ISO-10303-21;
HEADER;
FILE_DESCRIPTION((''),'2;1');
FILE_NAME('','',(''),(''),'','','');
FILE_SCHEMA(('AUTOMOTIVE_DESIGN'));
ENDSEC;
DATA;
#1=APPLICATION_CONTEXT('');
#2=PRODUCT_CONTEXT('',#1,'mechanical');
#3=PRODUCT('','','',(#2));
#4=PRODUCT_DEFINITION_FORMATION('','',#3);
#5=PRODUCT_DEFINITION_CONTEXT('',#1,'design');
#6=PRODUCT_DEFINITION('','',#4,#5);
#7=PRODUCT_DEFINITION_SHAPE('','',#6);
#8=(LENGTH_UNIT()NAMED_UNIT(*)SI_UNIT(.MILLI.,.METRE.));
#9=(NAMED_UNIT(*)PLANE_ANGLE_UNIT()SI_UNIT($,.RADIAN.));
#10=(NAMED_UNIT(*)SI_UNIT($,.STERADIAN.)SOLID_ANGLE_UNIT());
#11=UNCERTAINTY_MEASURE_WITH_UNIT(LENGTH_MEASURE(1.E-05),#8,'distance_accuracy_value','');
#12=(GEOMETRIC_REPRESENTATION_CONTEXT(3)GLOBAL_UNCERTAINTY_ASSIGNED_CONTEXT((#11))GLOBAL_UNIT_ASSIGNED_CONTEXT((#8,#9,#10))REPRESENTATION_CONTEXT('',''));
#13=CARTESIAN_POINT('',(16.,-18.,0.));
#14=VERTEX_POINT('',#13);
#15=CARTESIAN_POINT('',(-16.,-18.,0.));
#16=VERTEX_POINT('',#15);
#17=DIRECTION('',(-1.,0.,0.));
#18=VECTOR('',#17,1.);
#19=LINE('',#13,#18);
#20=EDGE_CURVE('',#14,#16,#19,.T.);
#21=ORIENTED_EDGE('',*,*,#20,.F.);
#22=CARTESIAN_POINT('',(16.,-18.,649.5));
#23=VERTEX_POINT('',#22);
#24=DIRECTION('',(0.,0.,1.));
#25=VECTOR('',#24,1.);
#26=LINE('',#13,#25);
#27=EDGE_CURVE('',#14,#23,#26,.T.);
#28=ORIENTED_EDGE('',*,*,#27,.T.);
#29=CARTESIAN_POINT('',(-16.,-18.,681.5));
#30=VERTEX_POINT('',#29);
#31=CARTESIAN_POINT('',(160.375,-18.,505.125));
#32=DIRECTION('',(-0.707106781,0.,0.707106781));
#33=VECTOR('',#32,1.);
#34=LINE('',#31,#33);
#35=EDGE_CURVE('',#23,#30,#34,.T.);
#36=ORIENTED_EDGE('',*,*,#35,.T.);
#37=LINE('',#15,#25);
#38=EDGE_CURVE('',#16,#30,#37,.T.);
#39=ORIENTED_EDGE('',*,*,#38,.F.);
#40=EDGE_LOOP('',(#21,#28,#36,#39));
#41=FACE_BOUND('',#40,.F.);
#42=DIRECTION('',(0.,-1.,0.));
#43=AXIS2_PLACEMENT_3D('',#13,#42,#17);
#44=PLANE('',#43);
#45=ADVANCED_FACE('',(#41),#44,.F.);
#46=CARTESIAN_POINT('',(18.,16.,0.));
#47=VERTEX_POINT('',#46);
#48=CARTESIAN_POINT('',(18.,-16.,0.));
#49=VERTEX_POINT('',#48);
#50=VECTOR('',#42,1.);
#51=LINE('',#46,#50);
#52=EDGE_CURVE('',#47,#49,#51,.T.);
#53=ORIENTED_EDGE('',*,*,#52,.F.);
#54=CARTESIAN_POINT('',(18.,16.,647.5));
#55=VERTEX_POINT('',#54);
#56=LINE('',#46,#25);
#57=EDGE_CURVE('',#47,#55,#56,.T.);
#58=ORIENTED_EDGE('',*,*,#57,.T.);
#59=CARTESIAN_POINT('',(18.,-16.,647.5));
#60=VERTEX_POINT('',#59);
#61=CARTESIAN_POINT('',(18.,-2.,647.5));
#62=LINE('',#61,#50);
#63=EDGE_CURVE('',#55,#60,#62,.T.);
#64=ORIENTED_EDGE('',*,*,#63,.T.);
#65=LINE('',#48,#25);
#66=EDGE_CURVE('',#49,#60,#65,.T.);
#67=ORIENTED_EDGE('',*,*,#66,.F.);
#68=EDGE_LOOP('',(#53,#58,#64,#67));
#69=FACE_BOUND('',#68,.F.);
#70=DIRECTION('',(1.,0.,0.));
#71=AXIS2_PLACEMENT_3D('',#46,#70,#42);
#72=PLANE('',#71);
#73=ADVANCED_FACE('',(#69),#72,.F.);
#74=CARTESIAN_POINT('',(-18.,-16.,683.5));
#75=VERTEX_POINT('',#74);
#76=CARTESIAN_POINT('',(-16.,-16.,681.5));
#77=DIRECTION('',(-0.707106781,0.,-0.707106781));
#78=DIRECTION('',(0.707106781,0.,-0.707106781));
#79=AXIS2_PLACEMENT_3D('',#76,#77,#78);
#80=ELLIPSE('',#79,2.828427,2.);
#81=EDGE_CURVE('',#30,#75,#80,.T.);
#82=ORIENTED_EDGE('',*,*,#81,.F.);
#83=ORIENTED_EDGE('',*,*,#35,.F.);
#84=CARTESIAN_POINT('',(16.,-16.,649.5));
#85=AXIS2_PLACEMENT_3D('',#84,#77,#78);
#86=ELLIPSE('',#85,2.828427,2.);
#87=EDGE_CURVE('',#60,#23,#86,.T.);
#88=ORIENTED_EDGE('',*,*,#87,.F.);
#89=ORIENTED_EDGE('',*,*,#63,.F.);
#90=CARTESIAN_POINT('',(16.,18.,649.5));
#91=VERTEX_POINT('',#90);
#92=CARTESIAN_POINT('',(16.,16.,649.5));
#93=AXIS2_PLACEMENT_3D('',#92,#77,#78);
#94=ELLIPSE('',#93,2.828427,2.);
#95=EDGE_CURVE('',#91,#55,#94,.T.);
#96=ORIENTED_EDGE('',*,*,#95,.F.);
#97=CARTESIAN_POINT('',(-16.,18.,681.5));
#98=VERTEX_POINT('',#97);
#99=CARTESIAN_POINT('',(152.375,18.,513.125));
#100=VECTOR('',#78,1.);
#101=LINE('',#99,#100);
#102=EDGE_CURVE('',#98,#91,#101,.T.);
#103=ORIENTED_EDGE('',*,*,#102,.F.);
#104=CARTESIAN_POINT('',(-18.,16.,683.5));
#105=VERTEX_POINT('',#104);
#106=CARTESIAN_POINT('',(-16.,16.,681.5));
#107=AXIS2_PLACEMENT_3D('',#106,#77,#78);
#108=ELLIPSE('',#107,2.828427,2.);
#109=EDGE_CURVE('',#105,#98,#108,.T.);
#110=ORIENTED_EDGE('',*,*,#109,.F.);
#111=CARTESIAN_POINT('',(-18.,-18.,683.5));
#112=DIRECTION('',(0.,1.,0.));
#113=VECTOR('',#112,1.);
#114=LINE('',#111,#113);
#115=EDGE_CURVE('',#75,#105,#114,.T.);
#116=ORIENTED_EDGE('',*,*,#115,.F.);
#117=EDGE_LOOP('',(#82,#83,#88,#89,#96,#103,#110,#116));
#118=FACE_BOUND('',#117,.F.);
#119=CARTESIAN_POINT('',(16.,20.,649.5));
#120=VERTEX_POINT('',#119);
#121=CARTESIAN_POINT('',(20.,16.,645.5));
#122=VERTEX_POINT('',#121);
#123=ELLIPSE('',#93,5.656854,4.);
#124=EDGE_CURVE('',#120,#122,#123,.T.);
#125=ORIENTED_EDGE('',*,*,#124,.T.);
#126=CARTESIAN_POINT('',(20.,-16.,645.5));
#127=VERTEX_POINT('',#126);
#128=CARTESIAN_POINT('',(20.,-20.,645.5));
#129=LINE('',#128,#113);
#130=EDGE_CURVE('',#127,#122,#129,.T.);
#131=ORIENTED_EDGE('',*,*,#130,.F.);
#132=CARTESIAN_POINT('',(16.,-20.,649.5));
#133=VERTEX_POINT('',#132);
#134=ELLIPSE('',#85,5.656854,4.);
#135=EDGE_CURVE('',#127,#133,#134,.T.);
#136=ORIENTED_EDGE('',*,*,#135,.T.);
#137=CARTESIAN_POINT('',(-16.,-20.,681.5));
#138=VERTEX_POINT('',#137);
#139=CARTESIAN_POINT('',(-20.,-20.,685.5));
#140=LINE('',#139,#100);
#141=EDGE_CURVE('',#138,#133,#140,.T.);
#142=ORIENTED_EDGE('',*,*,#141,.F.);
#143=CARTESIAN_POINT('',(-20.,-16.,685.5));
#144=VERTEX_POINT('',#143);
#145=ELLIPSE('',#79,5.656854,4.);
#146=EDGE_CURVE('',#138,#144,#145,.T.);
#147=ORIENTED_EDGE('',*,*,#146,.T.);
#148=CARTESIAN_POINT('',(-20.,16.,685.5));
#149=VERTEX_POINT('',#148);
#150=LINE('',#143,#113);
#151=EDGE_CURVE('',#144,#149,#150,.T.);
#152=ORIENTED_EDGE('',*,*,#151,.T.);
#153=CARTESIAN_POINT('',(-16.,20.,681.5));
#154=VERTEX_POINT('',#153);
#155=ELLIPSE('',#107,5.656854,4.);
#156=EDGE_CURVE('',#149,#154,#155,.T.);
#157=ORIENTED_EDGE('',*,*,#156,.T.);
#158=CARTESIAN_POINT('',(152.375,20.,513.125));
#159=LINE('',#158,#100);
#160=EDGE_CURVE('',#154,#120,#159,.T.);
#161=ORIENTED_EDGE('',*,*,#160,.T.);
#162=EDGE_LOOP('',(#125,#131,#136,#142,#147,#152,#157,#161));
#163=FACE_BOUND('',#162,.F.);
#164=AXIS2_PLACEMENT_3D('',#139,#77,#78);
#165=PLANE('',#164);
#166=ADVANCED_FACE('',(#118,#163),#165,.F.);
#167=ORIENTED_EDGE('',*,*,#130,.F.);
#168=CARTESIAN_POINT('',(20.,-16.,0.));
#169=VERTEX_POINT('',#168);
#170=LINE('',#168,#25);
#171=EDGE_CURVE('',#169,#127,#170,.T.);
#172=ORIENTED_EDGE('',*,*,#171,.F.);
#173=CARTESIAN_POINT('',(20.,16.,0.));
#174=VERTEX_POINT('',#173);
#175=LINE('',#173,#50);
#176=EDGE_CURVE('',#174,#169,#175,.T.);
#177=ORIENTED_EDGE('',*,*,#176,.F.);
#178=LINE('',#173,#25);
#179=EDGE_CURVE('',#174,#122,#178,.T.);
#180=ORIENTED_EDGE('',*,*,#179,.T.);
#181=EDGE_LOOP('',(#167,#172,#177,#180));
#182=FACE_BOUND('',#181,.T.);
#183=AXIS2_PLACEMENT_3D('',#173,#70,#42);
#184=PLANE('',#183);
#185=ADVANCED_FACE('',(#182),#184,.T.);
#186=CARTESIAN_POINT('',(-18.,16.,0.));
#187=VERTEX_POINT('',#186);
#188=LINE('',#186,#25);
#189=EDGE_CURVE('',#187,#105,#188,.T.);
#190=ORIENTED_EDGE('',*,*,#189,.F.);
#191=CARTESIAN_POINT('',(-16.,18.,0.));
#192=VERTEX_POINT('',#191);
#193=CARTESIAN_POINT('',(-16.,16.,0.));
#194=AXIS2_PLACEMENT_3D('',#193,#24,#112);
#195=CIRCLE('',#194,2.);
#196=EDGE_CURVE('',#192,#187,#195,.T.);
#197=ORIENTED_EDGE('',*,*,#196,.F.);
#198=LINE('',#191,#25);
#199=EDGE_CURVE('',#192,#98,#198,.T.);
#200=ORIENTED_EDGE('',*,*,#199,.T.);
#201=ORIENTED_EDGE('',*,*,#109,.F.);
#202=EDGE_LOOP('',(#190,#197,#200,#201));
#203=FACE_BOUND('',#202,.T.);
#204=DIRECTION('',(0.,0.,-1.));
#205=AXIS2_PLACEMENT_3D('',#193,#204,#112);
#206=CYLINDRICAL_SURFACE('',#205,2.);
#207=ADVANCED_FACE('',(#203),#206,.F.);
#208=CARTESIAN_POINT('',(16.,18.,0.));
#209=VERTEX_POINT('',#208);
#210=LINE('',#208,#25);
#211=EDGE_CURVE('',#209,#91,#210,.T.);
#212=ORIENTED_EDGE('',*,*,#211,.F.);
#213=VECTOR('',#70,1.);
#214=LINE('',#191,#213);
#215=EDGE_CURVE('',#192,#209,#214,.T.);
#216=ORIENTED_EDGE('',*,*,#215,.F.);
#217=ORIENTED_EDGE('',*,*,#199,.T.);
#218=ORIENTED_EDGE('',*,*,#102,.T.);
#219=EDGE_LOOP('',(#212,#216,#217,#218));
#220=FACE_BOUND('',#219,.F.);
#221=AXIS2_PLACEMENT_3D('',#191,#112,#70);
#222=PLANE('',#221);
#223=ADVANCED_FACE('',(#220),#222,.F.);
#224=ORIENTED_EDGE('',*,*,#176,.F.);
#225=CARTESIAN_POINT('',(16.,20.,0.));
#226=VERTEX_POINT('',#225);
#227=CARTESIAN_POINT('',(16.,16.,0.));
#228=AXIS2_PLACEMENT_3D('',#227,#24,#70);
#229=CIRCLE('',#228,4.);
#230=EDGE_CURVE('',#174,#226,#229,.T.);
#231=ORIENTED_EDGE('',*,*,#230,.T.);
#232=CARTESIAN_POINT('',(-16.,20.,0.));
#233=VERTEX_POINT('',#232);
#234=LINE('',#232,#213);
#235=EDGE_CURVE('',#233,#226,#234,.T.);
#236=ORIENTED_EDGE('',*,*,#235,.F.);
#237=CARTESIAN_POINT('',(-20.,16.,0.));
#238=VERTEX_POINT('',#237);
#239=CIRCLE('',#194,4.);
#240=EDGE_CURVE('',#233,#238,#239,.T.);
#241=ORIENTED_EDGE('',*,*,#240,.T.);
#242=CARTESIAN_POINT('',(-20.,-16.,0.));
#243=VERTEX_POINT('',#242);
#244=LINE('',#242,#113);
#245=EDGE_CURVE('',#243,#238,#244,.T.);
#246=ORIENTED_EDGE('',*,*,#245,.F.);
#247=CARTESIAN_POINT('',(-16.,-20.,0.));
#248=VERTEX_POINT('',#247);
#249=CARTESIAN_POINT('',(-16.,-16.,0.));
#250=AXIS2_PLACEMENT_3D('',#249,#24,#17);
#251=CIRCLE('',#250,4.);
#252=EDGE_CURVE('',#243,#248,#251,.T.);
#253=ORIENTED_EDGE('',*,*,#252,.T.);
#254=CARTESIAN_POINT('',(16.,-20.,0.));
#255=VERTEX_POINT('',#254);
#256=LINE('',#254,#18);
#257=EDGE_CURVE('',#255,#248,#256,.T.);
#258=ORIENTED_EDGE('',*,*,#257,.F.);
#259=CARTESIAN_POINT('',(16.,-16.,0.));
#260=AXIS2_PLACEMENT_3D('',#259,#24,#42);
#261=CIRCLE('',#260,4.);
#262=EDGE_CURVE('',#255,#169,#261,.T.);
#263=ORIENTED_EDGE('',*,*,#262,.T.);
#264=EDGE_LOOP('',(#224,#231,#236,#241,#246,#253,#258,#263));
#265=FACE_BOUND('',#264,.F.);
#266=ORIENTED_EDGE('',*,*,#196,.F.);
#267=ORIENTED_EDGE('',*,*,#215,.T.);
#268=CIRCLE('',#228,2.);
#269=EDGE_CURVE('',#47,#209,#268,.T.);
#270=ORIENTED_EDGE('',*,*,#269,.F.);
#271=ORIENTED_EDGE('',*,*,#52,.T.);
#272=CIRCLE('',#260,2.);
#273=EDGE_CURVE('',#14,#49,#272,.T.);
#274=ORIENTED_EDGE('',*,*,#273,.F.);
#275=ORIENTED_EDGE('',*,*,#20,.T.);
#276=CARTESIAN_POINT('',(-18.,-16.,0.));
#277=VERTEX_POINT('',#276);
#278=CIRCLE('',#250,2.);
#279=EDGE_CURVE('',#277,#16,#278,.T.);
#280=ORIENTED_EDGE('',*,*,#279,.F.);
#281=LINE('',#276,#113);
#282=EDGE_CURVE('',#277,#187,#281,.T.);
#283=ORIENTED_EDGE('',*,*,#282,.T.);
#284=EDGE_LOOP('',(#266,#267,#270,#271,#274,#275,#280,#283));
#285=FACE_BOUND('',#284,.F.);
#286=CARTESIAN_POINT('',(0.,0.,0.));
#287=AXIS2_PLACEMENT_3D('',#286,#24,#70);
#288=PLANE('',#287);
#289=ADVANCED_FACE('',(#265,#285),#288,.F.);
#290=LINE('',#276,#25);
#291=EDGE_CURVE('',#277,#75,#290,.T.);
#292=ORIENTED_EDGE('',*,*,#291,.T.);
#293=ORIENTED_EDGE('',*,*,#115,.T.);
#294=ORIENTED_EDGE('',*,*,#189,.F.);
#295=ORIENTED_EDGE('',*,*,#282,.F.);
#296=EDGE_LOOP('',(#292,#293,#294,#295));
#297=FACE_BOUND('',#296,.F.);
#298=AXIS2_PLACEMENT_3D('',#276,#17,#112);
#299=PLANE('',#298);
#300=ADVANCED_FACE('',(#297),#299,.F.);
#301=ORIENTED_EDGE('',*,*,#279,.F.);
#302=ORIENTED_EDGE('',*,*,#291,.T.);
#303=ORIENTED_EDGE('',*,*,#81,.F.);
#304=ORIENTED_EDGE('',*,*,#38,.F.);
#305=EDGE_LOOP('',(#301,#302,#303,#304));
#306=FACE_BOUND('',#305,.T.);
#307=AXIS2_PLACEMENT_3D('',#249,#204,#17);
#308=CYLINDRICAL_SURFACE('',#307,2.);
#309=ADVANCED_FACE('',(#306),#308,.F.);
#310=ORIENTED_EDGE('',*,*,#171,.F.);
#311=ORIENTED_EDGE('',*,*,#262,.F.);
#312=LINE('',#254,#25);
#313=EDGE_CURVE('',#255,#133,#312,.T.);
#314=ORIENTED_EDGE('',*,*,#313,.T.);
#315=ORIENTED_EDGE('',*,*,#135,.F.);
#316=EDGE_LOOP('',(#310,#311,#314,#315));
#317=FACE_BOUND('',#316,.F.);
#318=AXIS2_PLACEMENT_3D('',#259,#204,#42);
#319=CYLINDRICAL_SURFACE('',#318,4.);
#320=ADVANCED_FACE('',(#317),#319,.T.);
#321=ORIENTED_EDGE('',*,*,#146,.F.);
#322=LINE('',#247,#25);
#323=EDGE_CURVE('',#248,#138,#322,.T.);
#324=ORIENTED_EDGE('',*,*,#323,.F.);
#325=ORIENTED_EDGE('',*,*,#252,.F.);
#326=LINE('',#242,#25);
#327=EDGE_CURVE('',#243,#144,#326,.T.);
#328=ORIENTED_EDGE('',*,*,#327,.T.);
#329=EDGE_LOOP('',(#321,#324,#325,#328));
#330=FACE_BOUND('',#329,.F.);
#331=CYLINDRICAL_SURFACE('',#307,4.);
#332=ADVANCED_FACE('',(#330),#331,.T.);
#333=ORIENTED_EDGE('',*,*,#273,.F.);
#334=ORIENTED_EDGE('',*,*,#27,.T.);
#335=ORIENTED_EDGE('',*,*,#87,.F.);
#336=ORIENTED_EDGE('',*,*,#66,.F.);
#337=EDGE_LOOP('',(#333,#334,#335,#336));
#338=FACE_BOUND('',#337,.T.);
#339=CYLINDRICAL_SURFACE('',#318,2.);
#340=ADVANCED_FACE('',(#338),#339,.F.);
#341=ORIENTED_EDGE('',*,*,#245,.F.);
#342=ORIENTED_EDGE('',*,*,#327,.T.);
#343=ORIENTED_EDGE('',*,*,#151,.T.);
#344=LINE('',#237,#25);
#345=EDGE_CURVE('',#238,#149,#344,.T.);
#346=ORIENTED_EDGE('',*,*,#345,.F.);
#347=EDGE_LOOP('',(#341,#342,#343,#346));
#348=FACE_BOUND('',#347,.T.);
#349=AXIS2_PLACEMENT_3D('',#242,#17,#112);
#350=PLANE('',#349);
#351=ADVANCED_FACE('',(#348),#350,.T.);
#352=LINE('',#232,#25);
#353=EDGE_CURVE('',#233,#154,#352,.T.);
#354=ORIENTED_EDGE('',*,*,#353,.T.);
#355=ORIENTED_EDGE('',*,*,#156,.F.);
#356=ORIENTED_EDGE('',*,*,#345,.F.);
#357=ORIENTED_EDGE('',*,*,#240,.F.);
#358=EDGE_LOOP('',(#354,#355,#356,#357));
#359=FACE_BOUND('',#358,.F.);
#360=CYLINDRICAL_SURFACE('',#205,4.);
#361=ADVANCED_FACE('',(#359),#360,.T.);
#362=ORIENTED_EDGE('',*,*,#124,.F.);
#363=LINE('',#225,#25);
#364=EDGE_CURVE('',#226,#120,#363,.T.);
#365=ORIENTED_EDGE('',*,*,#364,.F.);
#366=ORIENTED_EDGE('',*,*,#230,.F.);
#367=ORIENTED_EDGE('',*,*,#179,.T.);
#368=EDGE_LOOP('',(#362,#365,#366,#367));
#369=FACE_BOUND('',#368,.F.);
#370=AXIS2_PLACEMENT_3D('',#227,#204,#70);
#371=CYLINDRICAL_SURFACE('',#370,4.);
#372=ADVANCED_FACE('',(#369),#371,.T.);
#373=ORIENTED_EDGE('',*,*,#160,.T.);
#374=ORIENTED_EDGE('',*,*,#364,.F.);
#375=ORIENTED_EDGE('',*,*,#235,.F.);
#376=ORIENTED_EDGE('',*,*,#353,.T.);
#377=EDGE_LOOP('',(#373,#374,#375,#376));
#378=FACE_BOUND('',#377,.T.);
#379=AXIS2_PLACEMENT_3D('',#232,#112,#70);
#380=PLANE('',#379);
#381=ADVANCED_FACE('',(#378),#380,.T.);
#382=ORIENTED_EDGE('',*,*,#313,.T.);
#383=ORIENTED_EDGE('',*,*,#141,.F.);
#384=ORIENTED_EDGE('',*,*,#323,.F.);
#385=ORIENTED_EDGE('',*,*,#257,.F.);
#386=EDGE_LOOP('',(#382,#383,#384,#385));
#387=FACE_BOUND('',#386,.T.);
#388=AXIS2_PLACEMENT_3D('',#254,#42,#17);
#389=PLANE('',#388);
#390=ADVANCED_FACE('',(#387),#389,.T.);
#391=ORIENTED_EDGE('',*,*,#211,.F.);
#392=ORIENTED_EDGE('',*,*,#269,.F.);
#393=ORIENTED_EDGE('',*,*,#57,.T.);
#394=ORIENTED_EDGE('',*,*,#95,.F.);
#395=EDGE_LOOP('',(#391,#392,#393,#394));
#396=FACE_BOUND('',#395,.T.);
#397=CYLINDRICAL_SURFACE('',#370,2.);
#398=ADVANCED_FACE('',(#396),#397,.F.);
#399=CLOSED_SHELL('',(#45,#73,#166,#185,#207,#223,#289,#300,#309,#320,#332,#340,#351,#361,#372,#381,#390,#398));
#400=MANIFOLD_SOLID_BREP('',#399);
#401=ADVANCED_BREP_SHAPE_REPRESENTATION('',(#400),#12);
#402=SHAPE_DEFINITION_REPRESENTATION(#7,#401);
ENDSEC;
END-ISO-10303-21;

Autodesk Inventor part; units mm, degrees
ref_plane "YZ Plane" through (0, 0, 0) normal (1, 0, 0) x (0, 1, 0)
ref_plane "Piano iniziale" through (0, 0, 0) normal (0, 0, 1) x (1, 0, 0)
ref_plane "Piano finale" through (0, 0, 685.5) normal (0, 0, 1) x (1, 0, 0)
sketch "Schizzo" plane through (0, 0, 0) normal (0, 0, 1) x (1, 0, 0)
  line L0 (-20, -16) -> (-20, 16)
  line L1 (-16, 20) -> (16, 20)
  line L2 (20, 16) -> (20, -16)
  line L3 (16, -20) -> (-16, -20)
  arc A0 (-20, -16) -> (-16, -20) centre (-16, -16) ccw
  arc A1 (20, 16) -> (16, 20) centre (16, 16) ccw
  arc A2 (-16, 20) -> (-20, 16) centre (-16, 16) ccw
  arc A3 (16, -20) -> (20, -16) centre (16, -16) ccw
  arc A4 (-16, 18) -> (-18, 16) centre (-16, 16) ccw
  line L4 (-16, 18) -> (16, 18)
  arc A5 (18, 16) -> (16, 18) centre (16, 16) ccw
  line L5 (18, 16) -> (18, -16)
  arc A6 (16, -18) -> (18, -16) centre (16, -16) ccw
  line L6 (16, -18) -> (-16, -18)
  arc A7 (-18, -16) -> (-16, -18) centre (-16, -16) ccw
  line L7 (-18, -16) -> (-18, 16)
  line L8 (0, 29.1598) -> (0, -29.1598) construction
  line L9 (-29.1598, 0) -> (29.1598, 0) construction
  dimension "d7" = 4
  dimension "d9" = 40
  dimension "d11" = 40
  dimension "d12" = 2
  dimension "d15" = 20
  dimension "d16" = 20
extrude "Corpo" add sketch "Schizzo" along normal up to surface (685.5 mm away) from surface at 0
sketch "Sketch3" plane through (0, 0, 0) normal (0, 0, 1) x (1, 0, 0)
  line L0 (0, 0) -> (10, 0)
ref_plane "Work Plane3" through (0, 0, 0) normal (0, -1, 0) x (1, 0, 0)
sketch "Sketch4" plane through (0, 0, 0) normal (0, -1, 0) x (1, 0, 0)
  line L0 (-2, 0) -> (12, 0)
  line L1 (-2, 685.5) -> (12, 685.5)
  dimension "d18" = 685.5
sketch "Schizzo5" plane through (-16, -20, 0) normal (0, -1, 0) x (1, 0, 0)
  line L0 (-4, 0) -> (-4, 685.5) projected
  line L1 (-4, 685.5) -> (0, 685.5) projected
  line L2 (-4, 685.5) -> (40.4052, 641.0948)
  line L3 (-4, 685.5) -> (58.7984, 685.5) construction
  line L4 (40.4052, 641.0948) -> (40.4052, 697.863)
  line L5 (36, 0) -> (36, 685.5) projected
  line L6 (40.4052, 697.863) -> (-4, 685.5)
  point P0 (16, 0)
  dimension "d19" = 45
extrude "Estrusione2" cut sketch "Schizzo5" against normal up to next
equation "\"d7\" = G_IR"
equation "\"d9\" = G_W"
equation "\"d11\" = G_H"
equation "\"d12\" = G_T"
equation "\"d15\" = 0.5 * d9"
equation "\"d16\" = 0.5 * d11"
equation "\"d3\" = G_L"
equation "\"G_W\" = 40"
equation "\"G_H\" = 40"
equation "\"G_T\" = 2"
equation "\"G_IR\" = 4"
equation "\"G_L\" = d18"
equation "\"G_OFFSET_START\" = 0"
equation "\"G_OFFSET_END\" = 0"
equation "\"d14\" = G_OFFSET_END + B_L"
equation "\"B_L\" = 685.5"
properties part number "ISO 10799-2 - 40x40x2 - 685,5" material "Acciaio, Dolce"
